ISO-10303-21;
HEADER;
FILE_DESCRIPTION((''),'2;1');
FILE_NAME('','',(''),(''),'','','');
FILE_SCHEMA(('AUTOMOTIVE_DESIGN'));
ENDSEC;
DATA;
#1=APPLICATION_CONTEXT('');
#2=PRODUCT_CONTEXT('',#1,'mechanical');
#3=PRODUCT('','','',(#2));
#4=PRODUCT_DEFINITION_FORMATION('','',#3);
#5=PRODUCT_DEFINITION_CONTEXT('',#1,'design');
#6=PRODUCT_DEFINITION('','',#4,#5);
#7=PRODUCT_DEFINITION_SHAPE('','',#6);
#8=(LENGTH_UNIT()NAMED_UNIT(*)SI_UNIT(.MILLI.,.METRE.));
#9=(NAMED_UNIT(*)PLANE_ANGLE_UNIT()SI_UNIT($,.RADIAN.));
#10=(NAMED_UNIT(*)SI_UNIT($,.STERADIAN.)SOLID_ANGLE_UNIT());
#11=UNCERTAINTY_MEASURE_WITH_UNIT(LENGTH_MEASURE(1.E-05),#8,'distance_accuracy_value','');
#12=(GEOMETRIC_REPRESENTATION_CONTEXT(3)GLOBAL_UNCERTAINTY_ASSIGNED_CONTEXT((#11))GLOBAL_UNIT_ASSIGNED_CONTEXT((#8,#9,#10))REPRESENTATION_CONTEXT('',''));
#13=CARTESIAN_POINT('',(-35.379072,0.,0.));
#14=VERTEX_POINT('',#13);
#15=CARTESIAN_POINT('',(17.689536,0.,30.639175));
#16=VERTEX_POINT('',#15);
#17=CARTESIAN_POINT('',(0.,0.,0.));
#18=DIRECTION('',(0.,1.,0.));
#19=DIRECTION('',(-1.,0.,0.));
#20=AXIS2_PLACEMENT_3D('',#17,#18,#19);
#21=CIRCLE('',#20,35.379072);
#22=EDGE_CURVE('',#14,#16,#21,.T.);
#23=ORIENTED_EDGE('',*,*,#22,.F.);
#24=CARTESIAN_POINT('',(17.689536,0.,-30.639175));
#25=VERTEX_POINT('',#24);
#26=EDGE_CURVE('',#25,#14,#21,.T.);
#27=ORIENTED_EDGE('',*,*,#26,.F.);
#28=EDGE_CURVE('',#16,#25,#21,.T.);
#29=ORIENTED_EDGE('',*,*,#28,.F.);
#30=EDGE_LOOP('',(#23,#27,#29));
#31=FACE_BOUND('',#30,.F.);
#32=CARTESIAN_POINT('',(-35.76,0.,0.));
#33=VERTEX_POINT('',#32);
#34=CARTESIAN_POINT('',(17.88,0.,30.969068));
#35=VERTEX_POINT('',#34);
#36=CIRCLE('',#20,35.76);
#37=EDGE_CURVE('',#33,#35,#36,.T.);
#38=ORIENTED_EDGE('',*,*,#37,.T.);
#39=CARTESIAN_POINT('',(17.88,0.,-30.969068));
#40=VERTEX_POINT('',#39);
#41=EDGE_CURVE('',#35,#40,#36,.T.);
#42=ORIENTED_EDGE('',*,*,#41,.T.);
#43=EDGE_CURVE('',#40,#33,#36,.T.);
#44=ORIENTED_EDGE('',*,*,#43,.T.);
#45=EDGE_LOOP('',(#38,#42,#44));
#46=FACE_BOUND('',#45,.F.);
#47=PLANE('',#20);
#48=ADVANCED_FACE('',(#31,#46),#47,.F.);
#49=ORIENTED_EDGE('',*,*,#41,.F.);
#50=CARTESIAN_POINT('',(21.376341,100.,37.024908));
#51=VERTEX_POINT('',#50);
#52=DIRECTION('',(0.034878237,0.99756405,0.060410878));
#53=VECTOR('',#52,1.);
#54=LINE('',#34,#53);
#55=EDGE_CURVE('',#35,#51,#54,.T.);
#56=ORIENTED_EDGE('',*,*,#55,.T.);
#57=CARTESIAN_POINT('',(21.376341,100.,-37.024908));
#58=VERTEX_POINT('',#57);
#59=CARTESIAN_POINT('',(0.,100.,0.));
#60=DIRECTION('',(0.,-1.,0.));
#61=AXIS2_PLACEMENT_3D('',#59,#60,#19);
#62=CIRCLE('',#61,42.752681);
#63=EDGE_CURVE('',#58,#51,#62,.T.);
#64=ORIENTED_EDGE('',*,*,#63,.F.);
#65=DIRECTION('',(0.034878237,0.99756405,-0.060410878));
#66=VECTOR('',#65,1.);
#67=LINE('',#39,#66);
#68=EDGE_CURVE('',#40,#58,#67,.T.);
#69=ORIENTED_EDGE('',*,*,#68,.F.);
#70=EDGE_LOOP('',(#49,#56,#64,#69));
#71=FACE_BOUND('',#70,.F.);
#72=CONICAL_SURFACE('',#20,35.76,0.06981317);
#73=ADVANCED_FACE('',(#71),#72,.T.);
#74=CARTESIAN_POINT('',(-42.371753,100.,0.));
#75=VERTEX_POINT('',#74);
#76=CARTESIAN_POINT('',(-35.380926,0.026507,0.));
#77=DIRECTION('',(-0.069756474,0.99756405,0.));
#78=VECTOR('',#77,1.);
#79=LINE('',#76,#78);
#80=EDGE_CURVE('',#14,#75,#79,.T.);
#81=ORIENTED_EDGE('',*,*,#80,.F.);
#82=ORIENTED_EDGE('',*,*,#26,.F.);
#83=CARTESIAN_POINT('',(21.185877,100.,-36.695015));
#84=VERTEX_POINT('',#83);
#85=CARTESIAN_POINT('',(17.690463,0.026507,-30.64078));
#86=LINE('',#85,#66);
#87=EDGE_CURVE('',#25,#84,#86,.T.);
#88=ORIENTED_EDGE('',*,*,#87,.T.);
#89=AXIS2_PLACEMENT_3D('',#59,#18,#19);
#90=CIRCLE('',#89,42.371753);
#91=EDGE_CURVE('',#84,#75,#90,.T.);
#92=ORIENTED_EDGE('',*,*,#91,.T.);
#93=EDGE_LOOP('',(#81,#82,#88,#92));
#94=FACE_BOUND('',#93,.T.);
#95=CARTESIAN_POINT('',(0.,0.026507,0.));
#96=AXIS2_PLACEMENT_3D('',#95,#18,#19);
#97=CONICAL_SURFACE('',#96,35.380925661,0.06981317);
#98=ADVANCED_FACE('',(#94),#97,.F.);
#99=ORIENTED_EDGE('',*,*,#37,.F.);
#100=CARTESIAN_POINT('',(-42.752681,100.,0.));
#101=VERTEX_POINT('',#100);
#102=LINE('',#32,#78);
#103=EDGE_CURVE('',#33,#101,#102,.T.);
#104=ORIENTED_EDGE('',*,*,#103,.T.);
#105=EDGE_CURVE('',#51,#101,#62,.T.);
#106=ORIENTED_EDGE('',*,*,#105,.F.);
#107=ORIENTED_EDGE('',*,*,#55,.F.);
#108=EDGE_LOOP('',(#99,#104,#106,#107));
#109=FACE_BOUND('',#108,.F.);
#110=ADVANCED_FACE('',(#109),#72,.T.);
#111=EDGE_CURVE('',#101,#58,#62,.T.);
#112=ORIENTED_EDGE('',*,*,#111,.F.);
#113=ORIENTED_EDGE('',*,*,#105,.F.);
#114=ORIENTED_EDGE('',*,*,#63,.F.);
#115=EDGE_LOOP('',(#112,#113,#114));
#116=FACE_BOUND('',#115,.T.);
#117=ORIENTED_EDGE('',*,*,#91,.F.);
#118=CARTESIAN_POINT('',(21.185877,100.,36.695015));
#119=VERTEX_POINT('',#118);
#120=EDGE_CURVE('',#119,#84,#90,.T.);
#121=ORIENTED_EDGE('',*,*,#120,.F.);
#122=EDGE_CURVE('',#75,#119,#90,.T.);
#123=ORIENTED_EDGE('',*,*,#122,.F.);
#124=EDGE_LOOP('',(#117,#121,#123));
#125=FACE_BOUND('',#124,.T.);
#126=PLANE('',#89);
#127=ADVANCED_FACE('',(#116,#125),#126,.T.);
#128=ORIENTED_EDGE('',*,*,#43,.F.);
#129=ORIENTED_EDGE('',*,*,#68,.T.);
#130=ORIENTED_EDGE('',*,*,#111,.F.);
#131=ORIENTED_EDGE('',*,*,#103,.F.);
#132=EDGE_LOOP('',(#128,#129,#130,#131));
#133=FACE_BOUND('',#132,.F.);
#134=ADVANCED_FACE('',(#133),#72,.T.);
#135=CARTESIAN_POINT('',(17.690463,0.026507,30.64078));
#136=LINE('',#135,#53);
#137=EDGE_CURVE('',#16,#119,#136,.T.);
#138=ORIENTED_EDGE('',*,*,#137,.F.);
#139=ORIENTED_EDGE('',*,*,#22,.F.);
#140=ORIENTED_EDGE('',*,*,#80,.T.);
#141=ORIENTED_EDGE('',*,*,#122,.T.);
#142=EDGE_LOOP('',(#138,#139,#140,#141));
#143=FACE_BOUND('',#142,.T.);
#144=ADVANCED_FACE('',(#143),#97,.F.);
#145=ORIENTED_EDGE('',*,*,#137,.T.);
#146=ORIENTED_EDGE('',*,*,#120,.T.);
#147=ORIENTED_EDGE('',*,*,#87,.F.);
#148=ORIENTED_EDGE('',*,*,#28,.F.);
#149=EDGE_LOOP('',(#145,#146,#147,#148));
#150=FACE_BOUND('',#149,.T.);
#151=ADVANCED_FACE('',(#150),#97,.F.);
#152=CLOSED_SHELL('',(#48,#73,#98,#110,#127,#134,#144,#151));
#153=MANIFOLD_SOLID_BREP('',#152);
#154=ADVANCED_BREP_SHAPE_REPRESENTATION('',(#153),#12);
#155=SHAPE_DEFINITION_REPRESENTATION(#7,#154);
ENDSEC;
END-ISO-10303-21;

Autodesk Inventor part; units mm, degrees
ref_plane "YZ Plane" through (0, 0, 0) normal (1, 0, 0) x (0, 1, 0)
ref_plane "XZ Plane" through (0, 0, 0) normal (0, 1, 0) x (-1, 0, 0)
ref_plane "XY Plane" through (0, 0, 0) normal (0, 0, 1) x (1, 0, 0)
sketch "Sketch1" plane through (0, 0, 0) normal (0, 1, 0) x (-1, 0, 0)
  circle A0 centre (0, 0) radius 35.76
  dimension "d0" = 71.52
extrude "Extrusion1" add sketch "Sketch1" along normal blind 100 draft 4
shell "Shell1" thickness 0.38 removed faces 2 at (12.263, 0, 4.9679) at (-12.4499, 100, -11.2099)
properties part number "C"
